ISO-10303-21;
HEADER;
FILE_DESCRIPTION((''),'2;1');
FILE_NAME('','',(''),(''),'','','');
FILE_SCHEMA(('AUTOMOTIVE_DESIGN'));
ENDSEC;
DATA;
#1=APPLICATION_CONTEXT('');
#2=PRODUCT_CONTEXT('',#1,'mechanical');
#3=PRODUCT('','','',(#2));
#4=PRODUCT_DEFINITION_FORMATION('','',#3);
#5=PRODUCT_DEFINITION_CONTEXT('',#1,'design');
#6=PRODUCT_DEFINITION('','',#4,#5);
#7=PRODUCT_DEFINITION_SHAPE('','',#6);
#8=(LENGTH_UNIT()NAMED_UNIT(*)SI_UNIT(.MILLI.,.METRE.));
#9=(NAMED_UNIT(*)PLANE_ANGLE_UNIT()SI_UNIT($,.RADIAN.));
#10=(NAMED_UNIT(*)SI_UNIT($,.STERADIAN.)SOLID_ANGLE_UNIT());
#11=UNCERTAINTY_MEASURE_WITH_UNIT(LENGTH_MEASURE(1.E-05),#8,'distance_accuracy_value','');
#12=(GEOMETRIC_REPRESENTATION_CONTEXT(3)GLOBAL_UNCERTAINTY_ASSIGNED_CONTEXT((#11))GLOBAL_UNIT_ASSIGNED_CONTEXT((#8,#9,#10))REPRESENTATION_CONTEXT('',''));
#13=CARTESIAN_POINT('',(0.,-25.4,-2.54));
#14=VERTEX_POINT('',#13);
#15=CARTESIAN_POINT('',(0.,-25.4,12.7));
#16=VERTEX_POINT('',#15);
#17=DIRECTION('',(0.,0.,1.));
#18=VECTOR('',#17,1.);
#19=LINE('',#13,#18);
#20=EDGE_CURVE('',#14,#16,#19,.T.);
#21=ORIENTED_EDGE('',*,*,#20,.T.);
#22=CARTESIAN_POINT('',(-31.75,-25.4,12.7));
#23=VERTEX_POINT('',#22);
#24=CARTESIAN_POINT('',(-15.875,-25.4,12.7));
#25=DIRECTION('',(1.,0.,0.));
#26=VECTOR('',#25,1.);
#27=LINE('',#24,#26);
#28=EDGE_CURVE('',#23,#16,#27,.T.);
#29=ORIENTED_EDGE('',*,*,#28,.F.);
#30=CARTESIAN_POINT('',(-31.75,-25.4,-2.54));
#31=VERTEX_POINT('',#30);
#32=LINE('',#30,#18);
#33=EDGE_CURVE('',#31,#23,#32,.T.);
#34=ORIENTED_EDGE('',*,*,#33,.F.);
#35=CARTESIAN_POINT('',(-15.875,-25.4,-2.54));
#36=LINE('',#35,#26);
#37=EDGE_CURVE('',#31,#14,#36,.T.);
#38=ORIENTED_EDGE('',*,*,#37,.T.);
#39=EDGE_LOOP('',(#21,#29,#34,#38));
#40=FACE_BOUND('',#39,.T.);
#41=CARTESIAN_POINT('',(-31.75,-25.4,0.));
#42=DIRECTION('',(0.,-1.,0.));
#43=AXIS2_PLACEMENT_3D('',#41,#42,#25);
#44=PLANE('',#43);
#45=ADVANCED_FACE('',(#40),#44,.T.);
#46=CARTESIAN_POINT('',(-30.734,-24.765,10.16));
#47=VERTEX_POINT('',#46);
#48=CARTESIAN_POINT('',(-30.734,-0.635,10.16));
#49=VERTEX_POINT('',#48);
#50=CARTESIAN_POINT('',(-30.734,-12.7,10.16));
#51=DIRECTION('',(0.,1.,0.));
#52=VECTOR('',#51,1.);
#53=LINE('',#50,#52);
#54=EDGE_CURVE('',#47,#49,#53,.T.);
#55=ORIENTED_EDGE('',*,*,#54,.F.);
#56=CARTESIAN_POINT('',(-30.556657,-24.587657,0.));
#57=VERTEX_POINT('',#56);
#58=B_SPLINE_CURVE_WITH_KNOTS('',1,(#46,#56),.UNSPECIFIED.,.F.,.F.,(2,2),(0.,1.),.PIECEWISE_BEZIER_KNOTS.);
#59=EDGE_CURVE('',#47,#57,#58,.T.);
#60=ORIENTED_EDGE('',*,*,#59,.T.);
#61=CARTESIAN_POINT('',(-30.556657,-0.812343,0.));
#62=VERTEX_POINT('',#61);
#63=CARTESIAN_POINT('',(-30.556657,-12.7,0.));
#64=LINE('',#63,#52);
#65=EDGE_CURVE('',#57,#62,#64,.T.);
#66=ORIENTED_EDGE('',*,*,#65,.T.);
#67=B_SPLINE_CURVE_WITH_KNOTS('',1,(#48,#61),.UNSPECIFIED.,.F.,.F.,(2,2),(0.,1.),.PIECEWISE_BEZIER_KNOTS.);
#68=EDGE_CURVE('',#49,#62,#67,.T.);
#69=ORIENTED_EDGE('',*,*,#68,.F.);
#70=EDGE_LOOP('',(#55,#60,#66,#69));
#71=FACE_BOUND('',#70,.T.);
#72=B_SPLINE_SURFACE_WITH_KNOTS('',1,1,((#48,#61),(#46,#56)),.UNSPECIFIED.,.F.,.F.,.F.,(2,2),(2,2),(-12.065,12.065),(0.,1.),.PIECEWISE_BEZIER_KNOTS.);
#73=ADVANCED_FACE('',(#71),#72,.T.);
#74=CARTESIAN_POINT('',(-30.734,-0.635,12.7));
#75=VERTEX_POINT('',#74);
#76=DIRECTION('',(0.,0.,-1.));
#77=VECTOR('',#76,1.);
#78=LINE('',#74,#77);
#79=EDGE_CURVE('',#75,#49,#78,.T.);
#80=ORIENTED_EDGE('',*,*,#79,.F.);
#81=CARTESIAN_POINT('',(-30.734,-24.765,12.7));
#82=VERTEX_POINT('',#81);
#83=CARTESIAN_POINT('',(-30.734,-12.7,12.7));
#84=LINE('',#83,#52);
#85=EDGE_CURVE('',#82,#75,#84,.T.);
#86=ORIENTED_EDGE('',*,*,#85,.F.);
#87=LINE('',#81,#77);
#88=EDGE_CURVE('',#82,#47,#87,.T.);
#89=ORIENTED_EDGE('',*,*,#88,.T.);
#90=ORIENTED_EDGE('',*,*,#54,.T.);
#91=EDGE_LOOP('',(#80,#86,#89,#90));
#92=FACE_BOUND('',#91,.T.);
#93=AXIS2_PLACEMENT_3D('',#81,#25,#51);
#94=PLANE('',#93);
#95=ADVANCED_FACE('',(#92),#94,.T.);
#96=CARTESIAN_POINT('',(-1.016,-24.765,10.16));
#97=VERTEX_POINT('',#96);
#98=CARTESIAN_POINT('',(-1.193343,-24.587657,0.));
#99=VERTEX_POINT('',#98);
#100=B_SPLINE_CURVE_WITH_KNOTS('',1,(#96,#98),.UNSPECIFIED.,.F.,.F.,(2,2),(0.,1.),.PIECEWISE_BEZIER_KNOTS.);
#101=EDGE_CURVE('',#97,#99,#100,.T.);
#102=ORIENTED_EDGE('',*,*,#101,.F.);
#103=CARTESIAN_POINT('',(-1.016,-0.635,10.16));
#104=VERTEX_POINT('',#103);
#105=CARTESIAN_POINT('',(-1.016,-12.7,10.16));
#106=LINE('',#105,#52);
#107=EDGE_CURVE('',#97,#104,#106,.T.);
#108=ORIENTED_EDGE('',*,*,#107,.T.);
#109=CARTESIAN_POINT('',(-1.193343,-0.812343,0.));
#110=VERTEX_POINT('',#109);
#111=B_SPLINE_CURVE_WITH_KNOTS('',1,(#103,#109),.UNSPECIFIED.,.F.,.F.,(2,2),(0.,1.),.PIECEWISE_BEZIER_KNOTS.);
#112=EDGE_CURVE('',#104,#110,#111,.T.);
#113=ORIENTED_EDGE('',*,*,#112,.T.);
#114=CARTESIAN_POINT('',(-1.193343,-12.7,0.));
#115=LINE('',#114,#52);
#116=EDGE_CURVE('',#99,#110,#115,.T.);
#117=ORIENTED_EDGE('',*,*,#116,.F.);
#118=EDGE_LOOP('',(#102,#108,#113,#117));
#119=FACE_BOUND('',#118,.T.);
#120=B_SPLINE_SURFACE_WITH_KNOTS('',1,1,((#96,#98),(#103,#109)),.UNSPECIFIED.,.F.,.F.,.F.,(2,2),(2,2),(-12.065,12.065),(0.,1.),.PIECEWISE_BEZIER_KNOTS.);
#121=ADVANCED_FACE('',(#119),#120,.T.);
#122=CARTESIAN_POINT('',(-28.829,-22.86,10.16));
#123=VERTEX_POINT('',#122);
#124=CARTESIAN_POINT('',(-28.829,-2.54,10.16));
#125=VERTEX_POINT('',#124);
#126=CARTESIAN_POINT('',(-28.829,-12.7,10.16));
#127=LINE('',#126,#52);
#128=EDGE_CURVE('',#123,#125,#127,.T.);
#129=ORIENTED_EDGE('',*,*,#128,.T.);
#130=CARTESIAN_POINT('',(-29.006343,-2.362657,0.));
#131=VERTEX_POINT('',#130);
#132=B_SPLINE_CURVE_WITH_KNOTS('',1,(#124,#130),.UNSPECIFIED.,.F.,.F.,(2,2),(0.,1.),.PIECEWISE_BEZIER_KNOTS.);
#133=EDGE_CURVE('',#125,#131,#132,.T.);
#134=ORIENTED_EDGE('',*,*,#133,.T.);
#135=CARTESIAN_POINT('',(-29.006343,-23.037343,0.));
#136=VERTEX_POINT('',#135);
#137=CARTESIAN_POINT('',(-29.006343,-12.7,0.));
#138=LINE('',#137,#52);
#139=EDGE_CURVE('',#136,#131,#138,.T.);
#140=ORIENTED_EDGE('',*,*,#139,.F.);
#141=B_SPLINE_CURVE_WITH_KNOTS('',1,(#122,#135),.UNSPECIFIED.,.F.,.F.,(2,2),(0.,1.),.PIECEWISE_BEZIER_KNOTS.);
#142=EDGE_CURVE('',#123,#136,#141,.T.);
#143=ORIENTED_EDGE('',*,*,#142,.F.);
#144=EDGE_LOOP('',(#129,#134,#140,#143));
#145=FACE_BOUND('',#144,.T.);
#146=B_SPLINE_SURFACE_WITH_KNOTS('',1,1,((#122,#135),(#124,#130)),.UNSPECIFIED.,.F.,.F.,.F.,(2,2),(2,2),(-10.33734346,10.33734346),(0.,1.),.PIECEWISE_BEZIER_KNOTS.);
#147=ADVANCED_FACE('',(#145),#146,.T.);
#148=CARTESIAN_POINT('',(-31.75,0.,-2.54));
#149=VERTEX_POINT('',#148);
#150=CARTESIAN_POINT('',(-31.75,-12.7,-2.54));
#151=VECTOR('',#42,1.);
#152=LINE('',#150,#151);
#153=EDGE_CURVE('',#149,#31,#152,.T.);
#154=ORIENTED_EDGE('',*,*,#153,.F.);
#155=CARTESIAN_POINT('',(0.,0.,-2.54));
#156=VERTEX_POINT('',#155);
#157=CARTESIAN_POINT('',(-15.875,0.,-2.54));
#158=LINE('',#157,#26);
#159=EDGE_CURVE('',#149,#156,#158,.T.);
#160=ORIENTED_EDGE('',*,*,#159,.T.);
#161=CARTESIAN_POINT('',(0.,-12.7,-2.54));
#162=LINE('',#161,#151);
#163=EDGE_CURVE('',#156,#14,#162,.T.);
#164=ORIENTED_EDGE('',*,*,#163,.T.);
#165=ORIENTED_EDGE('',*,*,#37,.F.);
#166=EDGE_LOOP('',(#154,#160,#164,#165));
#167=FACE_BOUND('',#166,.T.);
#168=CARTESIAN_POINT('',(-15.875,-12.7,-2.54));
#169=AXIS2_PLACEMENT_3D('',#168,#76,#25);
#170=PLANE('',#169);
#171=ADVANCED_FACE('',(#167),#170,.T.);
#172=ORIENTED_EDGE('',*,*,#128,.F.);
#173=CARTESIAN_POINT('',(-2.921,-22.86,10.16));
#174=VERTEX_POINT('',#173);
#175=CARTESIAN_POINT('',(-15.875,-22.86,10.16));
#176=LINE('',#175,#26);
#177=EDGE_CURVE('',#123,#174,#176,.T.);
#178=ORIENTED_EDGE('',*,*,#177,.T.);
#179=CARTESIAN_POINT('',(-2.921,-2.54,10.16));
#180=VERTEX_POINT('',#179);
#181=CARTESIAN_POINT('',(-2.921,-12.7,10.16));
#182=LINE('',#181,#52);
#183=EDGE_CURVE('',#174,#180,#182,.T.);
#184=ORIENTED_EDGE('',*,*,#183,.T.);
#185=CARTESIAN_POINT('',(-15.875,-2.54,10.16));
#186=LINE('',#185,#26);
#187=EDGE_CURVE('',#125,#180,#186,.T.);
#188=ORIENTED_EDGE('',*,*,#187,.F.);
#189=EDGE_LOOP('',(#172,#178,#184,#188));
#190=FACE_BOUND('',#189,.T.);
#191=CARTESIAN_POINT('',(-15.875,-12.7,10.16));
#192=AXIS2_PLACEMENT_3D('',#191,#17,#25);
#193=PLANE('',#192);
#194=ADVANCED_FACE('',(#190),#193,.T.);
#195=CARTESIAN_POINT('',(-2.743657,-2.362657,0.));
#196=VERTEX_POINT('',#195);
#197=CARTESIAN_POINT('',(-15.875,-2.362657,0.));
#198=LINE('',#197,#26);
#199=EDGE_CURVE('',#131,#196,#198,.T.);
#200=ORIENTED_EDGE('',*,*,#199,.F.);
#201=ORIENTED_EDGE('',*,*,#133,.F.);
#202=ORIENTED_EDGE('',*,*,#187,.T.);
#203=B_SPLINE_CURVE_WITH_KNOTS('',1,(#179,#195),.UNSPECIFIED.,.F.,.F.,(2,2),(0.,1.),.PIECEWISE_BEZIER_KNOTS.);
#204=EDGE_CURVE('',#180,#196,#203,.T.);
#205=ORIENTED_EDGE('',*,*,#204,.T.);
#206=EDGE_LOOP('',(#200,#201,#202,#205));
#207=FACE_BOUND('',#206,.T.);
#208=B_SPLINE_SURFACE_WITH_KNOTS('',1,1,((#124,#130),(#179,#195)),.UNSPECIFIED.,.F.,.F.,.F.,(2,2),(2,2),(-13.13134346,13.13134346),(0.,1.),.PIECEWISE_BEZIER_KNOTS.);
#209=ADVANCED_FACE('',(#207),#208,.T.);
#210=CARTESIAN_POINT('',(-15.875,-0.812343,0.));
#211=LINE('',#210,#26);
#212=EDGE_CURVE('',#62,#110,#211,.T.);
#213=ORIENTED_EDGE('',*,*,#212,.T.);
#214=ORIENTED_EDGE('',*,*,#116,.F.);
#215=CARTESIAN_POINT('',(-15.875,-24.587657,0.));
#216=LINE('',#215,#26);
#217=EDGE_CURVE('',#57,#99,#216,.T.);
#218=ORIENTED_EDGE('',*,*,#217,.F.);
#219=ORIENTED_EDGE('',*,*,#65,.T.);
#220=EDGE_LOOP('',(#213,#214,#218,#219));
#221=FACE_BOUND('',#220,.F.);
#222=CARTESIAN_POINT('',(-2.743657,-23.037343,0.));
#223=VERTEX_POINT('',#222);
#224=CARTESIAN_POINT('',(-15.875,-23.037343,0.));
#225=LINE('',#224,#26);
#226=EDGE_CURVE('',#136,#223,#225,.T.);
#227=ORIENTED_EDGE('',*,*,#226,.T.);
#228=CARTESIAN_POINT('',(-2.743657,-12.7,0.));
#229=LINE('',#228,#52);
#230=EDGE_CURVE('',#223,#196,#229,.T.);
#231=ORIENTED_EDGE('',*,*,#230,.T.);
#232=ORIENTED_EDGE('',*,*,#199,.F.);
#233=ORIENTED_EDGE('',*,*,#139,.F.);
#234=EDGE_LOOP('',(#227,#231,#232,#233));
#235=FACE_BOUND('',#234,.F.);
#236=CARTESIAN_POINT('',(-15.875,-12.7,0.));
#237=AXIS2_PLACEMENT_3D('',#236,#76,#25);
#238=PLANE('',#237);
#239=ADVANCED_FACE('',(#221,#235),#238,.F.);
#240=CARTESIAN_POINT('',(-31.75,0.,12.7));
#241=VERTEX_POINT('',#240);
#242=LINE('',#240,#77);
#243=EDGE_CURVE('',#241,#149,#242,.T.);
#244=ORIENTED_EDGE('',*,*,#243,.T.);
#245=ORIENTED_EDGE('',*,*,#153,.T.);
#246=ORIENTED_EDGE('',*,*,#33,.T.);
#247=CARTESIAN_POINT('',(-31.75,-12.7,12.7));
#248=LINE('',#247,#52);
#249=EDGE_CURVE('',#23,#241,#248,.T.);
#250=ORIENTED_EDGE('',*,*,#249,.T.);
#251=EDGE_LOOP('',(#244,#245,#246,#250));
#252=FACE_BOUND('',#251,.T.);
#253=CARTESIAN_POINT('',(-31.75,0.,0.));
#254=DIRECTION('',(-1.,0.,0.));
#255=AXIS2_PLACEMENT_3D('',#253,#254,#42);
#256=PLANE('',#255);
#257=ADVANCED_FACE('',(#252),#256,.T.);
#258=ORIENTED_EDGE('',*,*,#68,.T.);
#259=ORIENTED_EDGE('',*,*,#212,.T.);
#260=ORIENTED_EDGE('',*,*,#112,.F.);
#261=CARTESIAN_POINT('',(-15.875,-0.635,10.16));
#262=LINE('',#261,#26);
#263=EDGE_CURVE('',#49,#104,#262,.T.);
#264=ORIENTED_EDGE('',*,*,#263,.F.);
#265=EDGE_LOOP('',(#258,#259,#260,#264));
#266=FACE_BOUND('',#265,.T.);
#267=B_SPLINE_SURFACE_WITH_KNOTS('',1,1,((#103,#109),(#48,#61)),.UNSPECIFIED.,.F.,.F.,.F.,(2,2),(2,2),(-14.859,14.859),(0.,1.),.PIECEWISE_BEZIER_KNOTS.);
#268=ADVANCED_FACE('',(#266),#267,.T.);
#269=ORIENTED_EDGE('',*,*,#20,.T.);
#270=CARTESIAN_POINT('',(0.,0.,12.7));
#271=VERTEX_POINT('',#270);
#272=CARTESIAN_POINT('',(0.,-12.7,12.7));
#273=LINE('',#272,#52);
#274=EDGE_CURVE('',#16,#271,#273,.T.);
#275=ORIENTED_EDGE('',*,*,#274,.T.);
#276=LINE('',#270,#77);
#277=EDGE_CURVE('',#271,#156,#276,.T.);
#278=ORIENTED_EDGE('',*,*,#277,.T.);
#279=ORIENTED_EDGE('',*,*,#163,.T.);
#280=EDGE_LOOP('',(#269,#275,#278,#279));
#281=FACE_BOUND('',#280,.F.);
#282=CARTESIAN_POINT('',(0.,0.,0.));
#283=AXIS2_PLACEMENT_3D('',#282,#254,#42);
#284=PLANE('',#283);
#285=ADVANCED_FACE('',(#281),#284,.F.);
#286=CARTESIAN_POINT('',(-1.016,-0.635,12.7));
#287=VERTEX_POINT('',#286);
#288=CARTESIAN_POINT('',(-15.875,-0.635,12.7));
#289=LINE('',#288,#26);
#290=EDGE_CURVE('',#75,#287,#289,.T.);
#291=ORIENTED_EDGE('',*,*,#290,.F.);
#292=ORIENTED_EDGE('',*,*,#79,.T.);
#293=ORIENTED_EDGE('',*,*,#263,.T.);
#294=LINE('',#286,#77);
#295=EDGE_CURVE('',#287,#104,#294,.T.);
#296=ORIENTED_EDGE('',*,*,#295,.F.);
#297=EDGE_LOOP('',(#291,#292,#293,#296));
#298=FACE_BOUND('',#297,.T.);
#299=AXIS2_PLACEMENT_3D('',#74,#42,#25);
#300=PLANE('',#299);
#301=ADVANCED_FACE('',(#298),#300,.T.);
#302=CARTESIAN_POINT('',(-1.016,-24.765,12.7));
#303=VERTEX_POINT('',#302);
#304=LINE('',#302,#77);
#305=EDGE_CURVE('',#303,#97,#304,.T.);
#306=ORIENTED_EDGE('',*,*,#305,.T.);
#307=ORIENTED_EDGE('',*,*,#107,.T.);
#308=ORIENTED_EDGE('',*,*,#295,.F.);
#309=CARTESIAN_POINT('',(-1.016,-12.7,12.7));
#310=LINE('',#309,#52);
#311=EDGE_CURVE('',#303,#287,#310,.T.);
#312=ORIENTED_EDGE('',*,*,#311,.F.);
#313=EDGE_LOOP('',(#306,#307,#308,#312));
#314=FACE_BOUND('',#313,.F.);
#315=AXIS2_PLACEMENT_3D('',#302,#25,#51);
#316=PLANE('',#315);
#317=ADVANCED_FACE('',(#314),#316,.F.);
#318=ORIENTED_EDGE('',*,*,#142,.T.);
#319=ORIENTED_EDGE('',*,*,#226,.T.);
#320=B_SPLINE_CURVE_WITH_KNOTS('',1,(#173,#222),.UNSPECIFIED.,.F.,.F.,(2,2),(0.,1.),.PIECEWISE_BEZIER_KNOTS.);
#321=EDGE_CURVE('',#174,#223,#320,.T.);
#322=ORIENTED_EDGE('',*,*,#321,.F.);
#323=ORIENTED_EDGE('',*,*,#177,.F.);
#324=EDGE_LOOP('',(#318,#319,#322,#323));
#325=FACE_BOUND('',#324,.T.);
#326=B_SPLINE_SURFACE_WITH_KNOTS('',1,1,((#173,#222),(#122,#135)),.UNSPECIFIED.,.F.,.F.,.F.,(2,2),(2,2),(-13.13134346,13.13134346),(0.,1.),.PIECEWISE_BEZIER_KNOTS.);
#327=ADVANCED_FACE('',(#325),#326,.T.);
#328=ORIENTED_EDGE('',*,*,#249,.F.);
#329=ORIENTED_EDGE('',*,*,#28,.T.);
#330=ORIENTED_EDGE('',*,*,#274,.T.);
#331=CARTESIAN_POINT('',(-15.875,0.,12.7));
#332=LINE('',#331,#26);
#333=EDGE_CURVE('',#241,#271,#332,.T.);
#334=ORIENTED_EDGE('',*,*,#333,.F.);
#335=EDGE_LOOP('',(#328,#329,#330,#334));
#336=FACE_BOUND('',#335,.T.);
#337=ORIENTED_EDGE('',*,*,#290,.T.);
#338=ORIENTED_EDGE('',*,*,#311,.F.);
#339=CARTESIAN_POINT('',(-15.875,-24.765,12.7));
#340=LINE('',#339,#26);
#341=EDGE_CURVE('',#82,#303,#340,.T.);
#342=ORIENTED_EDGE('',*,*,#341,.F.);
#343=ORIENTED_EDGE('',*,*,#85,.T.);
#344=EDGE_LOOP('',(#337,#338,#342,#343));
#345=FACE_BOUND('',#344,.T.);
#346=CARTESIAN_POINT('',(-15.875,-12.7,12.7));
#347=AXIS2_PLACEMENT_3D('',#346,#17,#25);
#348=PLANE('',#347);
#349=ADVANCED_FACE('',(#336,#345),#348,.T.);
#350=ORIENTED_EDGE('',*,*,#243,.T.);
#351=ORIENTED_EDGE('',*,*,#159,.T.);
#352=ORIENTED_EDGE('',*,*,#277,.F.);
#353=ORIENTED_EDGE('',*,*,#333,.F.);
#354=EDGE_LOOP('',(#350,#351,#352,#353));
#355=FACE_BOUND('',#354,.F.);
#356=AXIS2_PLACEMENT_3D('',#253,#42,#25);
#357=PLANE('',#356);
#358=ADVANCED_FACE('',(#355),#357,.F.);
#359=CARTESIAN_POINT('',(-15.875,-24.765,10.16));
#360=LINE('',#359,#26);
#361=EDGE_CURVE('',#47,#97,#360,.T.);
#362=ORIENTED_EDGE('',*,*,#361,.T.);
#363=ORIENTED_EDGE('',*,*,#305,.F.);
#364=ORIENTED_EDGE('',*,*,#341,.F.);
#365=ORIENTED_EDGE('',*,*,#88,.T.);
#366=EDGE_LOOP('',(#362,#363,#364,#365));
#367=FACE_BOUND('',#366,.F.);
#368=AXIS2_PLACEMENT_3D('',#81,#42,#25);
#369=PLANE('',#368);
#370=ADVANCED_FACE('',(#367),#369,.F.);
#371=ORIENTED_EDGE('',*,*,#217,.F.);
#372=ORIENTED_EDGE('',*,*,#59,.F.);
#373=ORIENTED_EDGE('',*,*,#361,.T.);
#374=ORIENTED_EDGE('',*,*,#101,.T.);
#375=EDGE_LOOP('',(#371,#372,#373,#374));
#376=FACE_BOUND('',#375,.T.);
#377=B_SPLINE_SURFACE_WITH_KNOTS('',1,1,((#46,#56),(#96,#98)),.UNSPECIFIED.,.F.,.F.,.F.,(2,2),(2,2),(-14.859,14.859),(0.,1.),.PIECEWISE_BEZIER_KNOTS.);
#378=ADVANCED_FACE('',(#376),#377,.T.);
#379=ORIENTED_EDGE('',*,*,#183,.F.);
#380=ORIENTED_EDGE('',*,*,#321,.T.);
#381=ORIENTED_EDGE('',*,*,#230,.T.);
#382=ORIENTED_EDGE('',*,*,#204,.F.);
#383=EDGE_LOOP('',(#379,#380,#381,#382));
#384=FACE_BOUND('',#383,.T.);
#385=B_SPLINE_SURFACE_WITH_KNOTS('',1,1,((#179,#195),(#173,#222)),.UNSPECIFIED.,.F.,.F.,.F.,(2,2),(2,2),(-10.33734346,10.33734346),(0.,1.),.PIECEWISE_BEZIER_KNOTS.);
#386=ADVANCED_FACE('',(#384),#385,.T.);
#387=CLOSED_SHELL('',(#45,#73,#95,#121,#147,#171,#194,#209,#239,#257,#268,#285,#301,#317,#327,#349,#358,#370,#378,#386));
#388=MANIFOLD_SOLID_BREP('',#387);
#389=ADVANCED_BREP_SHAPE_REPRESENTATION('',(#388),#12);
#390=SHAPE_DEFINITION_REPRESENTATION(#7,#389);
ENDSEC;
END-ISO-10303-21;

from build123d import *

# Parameters (mm, degrees)
F0_W     = 31.75
F0_H     = 25.4
F1_DEPTH = 12.7
F2_W     = 29.718
F2_H     = 24.13
F3_DEPTH = 2.54
F4_W     = 29.718
F4_H     = 24.13
F4_W_2   = 25.908
F4_H_2   = 20.32
F5_DEPTH = 10.16
F5_TAPER = 1
F6_W     = 31.75
F6_H     = 25.4
F7_DEPTH = 2.54


with BuildPart() as f1:
    # F0 (on Top) → F1 (new body)
    with BuildSketch(Plane.XY):
        with Locations((-15.875, -12.7)):
            Rectangle(F0_W, F0_H)
    extrude(amount=F1_DEPTH)

    # F2 (on face) → F3 (cut)
    with BuildSketch(Plane.XY.offset(12.7)):
        with Locations((-15.875, -12.7)):
            Rectangle(F2_W, F2_H)
    extrude(amount=-F3_DEPTH, mode=Mode.SUBTRACT)

    # F4 (on face) → F5 (cut)
    with BuildSketch(Plane.XY.offset(10.16)):
        with Locations((-15.875, -12.7)):
            Rectangle(F4_W, F4_H)
        with Locations((-15.875, -12.7)):
            Rectangle(F4_W_2, F4_H_2, mode=Mode.SUBTRACT)
    extrude(amount=-F5_DEPTH, taper=F5_TAPER, mode=Mode.SUBTRACT)

    # F6 (on face) → F7 (join)
    with BuildSketch(Plane(origin=(0, 0, 0), x_dir=(1, 0, 0), z_dir=(0, 0, -1))):
        with Locations((-15.875, 12.7)):
            Rectangle(F6_W, F6_H)
    extrude(amount=F7_DEPTH)


solid = f1.part
